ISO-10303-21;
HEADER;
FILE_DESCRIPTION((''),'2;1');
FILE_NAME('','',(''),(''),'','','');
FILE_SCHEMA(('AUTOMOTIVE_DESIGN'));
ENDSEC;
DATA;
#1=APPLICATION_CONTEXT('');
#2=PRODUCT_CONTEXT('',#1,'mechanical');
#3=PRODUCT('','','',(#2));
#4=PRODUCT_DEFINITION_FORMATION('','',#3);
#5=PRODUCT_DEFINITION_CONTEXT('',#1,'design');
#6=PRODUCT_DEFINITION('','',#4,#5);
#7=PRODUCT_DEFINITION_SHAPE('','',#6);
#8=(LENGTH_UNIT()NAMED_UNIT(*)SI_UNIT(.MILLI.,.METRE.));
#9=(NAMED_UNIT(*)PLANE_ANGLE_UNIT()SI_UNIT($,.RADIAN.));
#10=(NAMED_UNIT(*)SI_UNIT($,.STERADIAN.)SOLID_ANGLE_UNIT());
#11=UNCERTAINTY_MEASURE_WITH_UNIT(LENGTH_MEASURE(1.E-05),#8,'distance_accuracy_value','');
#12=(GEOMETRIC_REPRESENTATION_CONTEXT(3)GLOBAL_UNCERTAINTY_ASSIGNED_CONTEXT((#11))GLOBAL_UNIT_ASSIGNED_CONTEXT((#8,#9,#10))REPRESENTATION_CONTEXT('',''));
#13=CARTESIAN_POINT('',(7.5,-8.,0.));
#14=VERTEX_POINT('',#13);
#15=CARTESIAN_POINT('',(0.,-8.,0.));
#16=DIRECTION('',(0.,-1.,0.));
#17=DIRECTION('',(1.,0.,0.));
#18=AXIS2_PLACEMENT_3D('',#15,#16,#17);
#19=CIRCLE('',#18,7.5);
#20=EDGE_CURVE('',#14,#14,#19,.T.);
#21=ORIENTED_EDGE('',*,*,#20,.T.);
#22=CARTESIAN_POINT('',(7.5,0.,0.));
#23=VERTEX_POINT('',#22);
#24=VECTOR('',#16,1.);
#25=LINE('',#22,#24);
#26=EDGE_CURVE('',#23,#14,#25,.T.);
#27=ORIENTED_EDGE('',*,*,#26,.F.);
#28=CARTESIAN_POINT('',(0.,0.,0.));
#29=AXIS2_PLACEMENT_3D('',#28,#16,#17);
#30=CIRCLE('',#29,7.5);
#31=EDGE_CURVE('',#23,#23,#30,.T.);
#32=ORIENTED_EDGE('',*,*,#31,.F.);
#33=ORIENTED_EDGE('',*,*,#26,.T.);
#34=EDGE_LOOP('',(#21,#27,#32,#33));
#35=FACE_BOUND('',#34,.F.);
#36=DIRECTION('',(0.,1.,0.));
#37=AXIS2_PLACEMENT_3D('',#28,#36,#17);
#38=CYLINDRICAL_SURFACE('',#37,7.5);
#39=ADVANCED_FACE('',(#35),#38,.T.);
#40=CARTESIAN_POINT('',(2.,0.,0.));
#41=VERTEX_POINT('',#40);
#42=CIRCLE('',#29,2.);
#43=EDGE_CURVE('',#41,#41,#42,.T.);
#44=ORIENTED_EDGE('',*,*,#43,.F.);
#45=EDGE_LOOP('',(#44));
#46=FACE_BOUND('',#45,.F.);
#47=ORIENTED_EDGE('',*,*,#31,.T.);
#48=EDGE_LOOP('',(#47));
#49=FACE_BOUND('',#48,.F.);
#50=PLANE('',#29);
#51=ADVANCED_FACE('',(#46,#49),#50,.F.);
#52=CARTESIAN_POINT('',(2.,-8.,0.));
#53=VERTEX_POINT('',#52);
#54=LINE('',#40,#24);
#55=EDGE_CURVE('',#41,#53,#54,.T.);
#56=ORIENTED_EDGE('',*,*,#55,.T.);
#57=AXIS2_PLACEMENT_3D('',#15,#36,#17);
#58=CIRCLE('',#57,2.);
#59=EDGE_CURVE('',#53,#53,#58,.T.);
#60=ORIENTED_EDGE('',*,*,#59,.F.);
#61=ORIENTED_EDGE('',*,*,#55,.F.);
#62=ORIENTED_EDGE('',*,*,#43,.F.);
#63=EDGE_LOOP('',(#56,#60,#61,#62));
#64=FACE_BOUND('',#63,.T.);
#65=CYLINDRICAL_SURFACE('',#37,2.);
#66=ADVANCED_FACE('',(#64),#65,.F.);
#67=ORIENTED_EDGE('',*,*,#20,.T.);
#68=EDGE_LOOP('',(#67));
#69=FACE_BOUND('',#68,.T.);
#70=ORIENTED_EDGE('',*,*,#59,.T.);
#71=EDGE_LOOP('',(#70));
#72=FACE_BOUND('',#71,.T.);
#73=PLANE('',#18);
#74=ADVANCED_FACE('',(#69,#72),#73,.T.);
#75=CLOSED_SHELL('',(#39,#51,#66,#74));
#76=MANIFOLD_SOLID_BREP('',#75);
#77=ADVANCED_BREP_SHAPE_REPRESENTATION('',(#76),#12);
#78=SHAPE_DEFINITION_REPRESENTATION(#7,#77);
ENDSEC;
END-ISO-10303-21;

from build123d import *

# Parameters (mm, degrees)
F0_R     = 7.5
F2_DEPTH = 8
F1_R     = 2
F3_DEPTH = 8.001


with BuildPart() as f2:
    # F0 (on Front) → F2 (new body)
    with BuildSketch(Plane.XZ):
        Circle(F0_R)
    extrude(amount=F2_DEPTH)

    # F1 (on face) → F3 (cut, through all)
    with BuildSketch(Plane.XZ):
        Circle(F1_R)
    extrude(amount=F3_DEPTH, mode=Mode.SUBTRACT)


solid = f2.part
